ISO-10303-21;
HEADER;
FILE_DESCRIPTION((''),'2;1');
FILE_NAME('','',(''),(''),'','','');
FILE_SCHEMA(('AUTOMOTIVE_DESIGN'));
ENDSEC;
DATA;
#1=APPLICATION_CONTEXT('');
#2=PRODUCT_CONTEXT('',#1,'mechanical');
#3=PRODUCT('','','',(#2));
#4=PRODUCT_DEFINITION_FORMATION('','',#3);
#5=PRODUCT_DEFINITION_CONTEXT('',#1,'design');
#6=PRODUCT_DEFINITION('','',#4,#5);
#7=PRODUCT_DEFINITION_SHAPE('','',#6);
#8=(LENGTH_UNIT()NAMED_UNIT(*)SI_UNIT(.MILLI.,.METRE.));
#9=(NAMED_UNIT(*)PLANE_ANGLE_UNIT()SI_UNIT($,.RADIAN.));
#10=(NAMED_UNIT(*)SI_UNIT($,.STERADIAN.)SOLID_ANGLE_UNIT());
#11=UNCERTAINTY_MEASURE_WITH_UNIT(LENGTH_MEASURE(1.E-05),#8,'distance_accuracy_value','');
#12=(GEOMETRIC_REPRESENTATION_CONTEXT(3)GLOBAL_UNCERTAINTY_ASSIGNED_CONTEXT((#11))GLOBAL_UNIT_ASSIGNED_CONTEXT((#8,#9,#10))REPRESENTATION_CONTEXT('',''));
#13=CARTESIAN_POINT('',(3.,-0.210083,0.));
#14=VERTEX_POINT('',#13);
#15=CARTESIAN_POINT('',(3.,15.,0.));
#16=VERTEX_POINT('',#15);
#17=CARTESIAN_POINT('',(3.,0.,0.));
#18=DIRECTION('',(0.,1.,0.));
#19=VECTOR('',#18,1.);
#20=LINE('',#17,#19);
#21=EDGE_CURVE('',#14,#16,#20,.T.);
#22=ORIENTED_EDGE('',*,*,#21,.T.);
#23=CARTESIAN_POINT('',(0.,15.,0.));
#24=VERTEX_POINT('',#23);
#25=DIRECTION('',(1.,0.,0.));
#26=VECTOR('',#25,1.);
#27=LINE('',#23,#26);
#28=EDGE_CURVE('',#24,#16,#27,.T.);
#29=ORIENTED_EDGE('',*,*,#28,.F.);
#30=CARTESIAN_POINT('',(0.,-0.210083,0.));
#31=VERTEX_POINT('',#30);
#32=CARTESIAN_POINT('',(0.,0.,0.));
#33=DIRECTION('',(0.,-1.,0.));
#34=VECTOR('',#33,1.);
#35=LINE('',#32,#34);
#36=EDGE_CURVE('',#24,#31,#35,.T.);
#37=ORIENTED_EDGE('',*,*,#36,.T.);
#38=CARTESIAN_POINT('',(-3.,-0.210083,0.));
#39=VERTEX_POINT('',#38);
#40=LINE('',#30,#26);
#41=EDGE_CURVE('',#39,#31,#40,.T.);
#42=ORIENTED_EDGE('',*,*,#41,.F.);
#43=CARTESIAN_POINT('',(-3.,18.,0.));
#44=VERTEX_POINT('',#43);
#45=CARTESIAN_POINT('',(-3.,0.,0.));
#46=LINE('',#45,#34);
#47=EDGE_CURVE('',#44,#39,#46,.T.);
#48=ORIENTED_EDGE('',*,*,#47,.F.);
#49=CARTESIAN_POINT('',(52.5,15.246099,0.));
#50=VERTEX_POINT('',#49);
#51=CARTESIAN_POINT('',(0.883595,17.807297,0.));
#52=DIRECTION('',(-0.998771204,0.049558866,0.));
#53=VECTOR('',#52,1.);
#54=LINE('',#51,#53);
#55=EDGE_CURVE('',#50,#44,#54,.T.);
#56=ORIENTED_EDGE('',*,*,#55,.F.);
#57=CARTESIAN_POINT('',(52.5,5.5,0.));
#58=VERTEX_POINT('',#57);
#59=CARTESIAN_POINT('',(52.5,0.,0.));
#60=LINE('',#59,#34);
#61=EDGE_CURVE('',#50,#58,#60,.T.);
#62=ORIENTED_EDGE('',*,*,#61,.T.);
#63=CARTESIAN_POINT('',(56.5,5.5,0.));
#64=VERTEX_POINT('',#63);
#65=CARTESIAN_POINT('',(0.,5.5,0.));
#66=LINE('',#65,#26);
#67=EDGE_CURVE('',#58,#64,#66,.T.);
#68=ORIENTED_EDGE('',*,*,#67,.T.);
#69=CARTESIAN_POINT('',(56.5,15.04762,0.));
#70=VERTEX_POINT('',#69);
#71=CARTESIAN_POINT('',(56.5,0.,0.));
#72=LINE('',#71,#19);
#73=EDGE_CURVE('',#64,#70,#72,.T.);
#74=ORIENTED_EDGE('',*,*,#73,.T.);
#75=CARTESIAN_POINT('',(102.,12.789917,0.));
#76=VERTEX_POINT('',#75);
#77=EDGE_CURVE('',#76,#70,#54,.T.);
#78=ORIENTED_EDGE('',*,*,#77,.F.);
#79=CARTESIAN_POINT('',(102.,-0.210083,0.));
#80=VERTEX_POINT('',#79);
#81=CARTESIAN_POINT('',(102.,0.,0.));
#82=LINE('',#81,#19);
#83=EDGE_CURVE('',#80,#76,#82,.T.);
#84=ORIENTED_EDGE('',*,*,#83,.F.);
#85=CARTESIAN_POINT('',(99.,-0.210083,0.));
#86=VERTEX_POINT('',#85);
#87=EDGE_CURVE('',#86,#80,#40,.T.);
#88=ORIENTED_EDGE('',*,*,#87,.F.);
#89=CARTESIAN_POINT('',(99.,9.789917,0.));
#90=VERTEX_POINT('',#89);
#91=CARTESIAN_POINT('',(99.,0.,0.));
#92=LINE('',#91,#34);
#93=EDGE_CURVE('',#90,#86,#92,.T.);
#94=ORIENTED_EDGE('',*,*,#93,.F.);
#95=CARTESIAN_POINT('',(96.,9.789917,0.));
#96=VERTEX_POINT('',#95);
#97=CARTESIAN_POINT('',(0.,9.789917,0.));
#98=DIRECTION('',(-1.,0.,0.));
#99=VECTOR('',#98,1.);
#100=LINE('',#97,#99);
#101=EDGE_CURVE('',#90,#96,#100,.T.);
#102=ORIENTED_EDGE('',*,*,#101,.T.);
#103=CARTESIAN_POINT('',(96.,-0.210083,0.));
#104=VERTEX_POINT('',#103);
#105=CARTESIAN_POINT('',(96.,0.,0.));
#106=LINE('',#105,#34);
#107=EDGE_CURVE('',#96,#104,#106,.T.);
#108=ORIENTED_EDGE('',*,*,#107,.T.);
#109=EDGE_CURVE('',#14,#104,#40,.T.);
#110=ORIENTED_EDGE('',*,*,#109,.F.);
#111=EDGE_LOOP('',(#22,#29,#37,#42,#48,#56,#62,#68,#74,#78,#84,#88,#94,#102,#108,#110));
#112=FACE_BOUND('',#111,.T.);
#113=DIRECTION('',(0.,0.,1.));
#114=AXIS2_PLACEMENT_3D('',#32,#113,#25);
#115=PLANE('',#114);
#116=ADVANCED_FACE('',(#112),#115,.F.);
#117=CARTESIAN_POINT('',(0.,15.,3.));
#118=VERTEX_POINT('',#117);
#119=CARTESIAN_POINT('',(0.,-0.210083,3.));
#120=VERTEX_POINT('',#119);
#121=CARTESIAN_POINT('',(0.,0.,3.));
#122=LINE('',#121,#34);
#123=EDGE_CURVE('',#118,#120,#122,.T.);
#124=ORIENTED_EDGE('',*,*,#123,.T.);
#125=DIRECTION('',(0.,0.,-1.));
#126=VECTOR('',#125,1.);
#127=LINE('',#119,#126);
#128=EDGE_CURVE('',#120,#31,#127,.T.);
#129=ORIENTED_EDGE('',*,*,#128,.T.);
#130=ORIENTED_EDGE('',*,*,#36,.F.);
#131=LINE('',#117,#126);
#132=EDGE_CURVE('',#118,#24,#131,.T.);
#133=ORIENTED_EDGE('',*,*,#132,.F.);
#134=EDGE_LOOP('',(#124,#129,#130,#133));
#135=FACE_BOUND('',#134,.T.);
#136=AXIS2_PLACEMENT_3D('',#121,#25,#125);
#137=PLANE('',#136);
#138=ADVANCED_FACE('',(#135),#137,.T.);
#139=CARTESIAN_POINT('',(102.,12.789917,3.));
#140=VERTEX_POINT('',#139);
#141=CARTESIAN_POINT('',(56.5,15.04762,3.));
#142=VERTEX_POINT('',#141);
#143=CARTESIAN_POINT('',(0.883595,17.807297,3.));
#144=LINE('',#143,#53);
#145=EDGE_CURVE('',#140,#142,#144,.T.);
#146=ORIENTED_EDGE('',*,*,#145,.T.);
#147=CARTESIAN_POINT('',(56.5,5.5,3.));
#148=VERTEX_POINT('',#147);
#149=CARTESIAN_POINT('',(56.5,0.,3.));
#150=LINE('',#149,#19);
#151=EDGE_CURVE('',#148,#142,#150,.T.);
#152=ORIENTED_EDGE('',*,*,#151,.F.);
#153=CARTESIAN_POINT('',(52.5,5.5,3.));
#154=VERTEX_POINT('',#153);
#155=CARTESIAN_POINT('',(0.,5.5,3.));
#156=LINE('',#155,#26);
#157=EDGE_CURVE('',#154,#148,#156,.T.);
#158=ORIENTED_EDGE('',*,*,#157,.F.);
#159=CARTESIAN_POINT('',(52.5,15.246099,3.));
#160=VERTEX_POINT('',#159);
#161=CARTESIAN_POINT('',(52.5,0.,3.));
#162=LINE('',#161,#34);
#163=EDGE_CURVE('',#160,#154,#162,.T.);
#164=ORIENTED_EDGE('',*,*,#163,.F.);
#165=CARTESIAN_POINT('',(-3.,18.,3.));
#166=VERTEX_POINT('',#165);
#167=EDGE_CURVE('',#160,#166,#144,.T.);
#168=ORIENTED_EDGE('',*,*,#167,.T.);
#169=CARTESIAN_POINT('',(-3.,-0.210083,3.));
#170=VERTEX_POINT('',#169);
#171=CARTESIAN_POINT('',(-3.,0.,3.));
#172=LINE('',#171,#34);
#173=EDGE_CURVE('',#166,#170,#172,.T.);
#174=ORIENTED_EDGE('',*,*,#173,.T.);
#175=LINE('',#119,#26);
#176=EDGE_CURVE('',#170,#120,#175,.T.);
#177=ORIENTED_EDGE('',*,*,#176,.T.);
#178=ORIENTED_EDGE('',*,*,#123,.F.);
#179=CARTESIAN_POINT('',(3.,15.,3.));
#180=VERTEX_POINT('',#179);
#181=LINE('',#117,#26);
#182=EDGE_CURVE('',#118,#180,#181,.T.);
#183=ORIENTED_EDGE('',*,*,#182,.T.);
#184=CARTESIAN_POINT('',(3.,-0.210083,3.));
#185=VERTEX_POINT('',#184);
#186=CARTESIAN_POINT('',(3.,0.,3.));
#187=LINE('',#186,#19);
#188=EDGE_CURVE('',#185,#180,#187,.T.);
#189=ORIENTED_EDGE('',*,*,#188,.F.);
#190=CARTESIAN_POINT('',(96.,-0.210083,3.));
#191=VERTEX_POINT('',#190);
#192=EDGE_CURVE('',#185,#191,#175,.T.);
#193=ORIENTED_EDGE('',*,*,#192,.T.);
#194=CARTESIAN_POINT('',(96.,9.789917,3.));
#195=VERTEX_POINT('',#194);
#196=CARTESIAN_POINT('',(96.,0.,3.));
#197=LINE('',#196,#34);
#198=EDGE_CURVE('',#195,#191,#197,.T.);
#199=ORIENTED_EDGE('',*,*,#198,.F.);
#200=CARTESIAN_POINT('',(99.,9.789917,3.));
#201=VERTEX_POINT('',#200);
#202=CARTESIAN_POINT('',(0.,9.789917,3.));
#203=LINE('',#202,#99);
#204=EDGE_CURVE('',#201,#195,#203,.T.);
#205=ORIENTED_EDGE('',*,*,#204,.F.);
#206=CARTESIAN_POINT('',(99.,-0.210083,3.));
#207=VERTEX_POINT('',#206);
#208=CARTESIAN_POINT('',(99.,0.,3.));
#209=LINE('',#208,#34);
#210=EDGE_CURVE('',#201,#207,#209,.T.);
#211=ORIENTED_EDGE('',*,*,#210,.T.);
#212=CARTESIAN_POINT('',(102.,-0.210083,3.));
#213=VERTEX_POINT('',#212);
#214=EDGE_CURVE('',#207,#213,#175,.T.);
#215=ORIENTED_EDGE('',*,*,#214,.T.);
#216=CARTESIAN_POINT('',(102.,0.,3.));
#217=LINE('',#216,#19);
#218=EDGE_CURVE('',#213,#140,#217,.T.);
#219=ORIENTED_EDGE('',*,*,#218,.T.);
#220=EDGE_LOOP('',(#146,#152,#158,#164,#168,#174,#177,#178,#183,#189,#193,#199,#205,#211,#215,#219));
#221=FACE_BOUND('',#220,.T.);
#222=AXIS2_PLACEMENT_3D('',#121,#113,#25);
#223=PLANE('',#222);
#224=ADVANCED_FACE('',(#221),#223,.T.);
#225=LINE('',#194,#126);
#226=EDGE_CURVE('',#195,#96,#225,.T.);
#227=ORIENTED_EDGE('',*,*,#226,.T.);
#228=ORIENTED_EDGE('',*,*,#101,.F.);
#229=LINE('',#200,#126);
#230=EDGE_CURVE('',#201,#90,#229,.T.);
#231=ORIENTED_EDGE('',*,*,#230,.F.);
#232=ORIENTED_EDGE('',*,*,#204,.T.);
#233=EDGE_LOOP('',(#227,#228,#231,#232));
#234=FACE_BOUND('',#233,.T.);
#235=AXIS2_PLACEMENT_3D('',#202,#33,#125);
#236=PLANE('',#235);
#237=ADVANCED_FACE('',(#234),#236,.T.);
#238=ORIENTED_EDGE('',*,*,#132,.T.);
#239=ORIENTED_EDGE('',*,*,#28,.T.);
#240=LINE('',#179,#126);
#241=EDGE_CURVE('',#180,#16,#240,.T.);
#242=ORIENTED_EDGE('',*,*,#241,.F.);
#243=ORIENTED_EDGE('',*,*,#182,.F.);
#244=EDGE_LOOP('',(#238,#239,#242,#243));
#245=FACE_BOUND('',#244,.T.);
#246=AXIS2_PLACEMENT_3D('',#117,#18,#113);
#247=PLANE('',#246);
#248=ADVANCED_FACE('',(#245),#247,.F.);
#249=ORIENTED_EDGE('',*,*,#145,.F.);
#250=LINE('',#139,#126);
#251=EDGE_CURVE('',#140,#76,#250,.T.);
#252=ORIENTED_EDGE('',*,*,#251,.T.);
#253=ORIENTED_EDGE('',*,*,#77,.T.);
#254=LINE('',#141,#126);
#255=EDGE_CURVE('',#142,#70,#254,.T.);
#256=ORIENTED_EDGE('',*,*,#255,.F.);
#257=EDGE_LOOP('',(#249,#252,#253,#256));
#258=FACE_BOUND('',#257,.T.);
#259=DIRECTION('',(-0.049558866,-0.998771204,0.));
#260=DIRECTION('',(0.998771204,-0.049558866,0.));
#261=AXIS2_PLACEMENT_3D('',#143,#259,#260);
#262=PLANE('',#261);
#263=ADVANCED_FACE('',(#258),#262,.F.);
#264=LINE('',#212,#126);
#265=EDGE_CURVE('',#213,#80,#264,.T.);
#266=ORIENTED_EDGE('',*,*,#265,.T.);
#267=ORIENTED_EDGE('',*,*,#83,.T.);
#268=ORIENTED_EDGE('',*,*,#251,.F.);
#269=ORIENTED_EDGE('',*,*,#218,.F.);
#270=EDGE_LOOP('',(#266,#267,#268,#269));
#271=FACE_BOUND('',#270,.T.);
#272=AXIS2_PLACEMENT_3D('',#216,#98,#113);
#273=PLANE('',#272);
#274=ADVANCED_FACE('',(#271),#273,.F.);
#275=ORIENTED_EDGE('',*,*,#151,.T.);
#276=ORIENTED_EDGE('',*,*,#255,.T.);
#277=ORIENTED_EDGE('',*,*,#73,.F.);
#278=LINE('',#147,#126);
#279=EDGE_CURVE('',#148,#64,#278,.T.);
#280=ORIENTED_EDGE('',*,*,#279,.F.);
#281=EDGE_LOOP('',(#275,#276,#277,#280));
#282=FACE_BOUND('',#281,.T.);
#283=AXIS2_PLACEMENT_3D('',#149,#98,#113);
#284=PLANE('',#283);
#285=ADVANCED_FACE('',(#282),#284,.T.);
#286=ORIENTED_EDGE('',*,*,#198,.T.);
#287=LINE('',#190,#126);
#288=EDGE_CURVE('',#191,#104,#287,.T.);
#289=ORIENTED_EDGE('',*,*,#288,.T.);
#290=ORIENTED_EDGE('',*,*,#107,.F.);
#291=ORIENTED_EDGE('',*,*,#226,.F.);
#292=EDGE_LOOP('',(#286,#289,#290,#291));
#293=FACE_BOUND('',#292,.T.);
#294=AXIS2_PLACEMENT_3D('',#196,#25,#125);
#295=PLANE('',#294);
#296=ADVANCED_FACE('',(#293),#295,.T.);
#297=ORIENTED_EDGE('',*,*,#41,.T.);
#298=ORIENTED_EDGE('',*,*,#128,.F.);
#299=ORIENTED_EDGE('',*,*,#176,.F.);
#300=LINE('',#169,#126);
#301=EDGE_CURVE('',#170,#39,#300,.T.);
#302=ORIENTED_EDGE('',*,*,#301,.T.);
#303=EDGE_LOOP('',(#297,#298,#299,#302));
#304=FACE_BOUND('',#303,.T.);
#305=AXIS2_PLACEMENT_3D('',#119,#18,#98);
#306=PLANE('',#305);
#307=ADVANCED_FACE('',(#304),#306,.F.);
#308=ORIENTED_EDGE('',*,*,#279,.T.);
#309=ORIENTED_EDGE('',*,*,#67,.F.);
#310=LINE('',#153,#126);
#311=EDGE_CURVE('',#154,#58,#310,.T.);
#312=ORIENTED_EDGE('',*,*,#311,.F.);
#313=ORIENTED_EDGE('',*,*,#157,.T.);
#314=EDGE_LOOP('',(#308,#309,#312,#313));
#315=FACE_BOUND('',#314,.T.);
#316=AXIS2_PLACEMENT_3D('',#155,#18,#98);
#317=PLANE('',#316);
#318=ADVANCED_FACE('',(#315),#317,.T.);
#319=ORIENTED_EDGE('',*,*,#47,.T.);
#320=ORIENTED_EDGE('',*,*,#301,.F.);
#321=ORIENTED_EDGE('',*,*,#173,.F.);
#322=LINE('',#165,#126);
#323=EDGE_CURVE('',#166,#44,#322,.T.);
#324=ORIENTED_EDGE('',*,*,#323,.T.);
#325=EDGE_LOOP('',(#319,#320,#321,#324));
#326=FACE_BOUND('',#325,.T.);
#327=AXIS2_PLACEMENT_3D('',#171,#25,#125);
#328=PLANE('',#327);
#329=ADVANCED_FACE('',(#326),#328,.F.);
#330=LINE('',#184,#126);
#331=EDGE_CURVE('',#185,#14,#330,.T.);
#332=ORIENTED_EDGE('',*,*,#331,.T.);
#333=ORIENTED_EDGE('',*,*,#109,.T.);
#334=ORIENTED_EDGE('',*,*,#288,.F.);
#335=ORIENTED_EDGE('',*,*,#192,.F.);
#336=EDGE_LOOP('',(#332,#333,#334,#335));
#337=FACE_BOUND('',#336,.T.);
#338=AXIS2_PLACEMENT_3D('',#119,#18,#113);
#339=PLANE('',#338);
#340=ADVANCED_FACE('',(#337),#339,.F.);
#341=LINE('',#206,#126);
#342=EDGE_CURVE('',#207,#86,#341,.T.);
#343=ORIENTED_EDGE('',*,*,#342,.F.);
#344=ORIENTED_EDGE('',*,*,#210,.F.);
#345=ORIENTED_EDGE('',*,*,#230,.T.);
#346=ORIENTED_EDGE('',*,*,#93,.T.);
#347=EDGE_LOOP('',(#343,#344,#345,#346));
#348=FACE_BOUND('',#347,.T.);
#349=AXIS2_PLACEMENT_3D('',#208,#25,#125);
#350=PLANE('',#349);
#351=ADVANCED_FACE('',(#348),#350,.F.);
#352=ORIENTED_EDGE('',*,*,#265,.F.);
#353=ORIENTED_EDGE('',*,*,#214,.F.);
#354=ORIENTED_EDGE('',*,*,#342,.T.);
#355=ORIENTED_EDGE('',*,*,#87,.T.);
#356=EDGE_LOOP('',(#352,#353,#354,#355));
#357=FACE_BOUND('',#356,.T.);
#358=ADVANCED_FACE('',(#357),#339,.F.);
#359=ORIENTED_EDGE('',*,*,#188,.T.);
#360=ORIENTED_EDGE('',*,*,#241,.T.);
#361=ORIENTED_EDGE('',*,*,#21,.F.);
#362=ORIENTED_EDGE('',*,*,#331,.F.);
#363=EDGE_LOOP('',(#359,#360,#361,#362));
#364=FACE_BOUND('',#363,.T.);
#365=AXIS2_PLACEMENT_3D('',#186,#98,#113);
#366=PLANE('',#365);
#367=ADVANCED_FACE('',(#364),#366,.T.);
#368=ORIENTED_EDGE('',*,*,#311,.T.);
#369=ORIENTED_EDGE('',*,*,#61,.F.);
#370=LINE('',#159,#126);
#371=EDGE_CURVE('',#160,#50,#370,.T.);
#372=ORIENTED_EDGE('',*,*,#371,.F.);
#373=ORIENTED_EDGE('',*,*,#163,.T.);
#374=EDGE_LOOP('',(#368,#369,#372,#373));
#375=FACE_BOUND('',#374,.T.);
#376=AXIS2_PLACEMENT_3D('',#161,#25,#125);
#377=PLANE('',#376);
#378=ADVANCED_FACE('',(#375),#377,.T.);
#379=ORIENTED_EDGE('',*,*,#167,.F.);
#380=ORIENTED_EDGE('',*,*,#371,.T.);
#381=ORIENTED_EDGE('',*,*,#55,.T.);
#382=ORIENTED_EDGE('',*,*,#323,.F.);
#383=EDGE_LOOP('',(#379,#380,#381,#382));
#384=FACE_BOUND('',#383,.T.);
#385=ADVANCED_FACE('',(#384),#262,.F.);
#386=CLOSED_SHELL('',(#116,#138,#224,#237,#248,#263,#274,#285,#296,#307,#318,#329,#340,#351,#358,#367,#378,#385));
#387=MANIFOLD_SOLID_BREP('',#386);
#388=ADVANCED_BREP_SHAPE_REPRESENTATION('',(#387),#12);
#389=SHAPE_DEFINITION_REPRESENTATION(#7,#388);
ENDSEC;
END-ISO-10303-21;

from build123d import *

# Parameters (mm, degrees)
BOSS_EXTRUDE1_DEPTH = 3


with BuildPart() as part:
    # Sketch1 → Boss-Extrude1 (new body)
    with BuildSketch(Plane.XY):
        Polygon((-3, 18), (-3, -0.210083064), (0, -0.210083064), (0, 0), (0, 15), (3, 15), (3, 0), (3, -0.210083064), (96, -0.210083064), (96, 0.789916936), (96, 9.789916936), (99, 9.789916936), (99, 0.789916936), (99, -0.210083064), (102, -0.210083064), (102, 12.789916936), (56.5, 15.047619597), (56.5, 5.5), (52.5, 5.5), (52.5, 15.246098952), align=None)
    extrude(amount=BOSS_EXTRUDE1_DEPTH)


solid = part.part
